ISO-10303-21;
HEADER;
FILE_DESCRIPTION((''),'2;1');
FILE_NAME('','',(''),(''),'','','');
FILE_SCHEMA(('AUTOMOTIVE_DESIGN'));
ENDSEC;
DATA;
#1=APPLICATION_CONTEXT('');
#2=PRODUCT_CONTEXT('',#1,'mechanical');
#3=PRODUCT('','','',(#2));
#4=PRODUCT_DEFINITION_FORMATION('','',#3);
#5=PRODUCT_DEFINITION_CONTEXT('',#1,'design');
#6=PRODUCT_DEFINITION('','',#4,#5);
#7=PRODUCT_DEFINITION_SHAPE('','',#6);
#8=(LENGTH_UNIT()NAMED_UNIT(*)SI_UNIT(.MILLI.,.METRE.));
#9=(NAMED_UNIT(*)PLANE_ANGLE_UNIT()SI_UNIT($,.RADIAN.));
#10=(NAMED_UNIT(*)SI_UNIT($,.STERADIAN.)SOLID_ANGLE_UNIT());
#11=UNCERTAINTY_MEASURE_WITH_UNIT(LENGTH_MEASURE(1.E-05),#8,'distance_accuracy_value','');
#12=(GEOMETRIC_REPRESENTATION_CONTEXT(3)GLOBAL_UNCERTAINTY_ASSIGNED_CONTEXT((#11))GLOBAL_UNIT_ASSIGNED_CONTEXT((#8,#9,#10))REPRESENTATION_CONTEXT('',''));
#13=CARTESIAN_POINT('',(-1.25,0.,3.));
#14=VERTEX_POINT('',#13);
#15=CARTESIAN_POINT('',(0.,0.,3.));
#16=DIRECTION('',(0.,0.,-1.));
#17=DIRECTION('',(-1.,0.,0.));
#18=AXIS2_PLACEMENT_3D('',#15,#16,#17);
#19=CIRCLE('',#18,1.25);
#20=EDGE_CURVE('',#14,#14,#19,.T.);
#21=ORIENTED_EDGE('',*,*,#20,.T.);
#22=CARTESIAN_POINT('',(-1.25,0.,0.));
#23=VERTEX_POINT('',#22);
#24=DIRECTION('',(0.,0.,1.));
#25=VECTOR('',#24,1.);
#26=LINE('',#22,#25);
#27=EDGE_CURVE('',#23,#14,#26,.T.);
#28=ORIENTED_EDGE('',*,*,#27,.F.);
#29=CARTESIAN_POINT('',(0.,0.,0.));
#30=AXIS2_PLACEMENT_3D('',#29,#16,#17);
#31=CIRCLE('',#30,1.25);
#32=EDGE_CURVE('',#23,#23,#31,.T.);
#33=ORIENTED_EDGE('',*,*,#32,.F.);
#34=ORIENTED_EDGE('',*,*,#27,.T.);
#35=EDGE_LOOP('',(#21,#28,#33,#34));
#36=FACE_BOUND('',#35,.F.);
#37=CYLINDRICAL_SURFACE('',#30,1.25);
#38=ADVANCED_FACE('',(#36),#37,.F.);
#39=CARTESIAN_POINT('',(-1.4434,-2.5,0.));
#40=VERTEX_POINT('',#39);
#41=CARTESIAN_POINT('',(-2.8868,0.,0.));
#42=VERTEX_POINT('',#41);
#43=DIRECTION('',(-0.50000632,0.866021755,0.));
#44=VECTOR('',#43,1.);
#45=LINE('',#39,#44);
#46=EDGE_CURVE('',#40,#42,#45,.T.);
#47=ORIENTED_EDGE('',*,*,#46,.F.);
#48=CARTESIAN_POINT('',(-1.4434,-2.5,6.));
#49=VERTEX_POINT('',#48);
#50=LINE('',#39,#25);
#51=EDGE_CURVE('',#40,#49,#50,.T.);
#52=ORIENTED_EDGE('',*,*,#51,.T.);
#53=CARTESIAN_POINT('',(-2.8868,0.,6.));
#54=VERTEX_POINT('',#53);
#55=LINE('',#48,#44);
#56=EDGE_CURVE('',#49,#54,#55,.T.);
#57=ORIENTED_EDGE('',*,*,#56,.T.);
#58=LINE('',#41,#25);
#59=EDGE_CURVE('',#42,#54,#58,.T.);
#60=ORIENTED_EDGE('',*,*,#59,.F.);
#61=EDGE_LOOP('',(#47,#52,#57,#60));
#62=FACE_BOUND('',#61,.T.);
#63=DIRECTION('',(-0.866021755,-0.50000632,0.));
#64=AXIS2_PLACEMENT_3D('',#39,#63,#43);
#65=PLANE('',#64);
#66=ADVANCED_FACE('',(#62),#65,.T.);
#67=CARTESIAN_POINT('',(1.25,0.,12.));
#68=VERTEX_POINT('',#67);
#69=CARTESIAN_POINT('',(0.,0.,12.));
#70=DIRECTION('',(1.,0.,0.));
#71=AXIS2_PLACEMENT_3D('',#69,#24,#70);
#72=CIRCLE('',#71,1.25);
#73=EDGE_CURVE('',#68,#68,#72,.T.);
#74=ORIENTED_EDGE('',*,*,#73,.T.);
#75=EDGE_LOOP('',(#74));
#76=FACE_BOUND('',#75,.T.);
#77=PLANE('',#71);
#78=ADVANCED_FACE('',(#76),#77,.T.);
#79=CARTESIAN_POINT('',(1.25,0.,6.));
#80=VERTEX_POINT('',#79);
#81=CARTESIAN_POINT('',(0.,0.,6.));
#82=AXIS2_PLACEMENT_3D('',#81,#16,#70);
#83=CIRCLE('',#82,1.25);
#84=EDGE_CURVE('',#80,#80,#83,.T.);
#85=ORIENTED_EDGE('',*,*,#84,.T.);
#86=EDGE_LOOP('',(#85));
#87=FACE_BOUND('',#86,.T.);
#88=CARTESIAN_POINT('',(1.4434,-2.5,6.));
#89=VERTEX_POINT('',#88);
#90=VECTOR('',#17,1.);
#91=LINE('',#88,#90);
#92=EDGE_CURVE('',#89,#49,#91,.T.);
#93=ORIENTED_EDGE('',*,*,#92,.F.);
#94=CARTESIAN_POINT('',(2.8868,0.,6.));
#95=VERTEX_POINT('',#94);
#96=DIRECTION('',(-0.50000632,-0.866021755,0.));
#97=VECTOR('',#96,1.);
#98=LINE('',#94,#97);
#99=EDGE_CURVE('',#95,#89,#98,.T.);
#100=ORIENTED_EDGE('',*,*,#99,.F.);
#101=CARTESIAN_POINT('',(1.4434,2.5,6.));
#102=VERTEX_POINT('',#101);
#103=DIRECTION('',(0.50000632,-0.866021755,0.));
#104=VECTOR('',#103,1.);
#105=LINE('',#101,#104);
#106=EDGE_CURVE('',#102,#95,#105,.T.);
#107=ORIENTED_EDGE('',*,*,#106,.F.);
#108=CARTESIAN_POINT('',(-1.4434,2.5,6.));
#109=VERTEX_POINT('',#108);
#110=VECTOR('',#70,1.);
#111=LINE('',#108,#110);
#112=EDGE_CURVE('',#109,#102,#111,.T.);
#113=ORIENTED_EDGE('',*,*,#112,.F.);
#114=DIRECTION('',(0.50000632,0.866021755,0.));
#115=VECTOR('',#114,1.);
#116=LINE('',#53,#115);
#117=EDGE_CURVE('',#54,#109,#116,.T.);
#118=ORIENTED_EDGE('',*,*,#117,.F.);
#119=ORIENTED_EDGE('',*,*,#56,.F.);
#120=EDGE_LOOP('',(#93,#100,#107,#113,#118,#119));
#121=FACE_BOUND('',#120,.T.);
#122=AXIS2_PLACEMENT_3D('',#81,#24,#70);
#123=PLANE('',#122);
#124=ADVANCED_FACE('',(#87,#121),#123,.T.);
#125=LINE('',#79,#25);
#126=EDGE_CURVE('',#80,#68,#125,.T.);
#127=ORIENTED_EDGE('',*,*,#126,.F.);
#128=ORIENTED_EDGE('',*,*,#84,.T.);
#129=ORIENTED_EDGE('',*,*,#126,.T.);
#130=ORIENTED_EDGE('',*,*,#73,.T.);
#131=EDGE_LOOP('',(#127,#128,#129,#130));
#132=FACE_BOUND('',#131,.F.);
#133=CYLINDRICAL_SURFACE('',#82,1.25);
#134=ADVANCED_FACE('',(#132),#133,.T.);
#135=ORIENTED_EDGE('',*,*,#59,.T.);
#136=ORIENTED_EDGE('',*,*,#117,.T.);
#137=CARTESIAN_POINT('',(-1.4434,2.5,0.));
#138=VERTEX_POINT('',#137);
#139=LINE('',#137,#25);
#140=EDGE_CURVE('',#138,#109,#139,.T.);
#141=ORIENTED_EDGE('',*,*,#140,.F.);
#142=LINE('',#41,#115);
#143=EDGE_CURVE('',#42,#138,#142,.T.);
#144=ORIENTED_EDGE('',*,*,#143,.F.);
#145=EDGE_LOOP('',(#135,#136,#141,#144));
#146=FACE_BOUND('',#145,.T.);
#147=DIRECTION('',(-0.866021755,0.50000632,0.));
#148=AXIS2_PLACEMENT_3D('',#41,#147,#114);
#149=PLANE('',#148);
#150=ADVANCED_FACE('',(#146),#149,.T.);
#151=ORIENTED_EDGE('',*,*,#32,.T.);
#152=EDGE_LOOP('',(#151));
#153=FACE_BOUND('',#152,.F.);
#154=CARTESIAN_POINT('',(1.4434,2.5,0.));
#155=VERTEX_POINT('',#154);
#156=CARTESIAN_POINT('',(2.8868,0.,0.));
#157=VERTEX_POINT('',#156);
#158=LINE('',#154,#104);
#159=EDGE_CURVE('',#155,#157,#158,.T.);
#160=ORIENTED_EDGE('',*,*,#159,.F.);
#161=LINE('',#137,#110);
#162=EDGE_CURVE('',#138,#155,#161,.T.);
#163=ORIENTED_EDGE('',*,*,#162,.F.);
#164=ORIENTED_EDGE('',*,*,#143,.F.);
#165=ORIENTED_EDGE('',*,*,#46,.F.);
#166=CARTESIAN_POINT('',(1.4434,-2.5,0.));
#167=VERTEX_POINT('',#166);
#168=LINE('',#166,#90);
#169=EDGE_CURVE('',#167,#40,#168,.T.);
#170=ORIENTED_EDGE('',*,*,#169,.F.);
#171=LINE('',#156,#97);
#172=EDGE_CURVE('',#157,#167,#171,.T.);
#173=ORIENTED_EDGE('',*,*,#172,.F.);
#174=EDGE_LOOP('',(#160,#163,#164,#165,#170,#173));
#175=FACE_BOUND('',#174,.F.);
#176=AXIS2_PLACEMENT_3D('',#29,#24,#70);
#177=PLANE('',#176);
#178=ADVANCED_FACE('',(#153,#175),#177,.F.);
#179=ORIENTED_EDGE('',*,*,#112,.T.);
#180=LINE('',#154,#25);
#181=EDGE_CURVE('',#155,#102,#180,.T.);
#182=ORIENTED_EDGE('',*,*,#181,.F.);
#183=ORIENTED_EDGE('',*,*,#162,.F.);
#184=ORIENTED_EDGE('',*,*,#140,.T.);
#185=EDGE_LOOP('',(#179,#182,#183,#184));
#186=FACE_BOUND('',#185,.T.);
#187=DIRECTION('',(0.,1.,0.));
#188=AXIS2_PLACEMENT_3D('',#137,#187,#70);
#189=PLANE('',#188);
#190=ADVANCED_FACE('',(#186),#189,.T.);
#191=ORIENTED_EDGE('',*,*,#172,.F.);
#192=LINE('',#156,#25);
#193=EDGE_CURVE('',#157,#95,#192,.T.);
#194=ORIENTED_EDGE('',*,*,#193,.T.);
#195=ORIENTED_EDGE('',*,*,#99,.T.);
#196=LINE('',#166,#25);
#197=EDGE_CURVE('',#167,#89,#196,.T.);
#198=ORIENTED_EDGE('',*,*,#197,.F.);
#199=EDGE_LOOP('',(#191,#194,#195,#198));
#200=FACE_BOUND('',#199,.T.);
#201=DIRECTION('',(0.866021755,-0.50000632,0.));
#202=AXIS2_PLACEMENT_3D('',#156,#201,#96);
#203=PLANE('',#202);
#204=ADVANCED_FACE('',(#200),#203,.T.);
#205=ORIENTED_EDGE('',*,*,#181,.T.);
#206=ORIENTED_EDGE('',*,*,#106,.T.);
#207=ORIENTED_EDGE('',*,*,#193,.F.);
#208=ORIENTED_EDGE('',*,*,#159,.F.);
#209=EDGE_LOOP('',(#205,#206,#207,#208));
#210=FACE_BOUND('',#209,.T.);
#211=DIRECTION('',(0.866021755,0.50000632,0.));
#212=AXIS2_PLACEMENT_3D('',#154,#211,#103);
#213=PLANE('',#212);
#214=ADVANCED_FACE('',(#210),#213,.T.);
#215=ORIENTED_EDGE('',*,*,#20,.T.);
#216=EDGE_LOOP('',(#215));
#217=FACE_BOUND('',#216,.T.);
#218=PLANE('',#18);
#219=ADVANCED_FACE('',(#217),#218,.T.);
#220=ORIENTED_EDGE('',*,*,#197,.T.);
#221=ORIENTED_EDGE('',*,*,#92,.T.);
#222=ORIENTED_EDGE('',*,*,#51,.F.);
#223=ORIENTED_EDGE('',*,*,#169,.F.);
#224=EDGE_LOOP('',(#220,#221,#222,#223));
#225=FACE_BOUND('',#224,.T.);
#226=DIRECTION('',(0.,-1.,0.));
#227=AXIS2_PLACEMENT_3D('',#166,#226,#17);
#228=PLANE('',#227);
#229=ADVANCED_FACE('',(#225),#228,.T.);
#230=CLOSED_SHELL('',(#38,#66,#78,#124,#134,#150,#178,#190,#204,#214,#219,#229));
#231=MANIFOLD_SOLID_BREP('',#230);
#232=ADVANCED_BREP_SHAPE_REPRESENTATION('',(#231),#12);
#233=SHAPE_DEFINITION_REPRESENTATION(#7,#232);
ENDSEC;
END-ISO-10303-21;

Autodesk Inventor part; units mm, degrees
ref_plane "YZ Plane" through (0, 0, 0) normal (1, 0, 0) x (0, 1, 0)
ref_plane "XZ Plane" through (0, 0, 0) normal (0, 1, 0) x (-1, 0, 0)
ref_plane "XY Plane" through (0, 0, 0) normal (0, 0, 1) x (1, 0, 0)
sketch "Sketch1" plane through (0, 0, 0) normal (0, 0, 1) x (1, 0, 0)
  line L0 (2.8868, 0) -> (1.4434, -2.5)
  line L1 (1.4434, -2.5) -> (-1.4434, -2.5)
  line L2 (-1.4434, -2.5) -> (-2.8868, 0)
  line L3 (-2.8868, 0) -> (-1.4434, 2.5)
  line L4 (-1.4434, 2.5) -> (1.4434, 2.5)
  line L5 (1.4434, 2.5) -> (2.8868, 0)
  point P0 (0, 0)
  point P1 (0, 0)
  dimension "d0" = 5
extrude "Extrusion1" add sketch "Sketch1" along normal blind 6
sketch "Sketch3" plane through (0, 0, 0) normal (0, 0, -1) x (-1, 0, 0)
  circle A0 centre (0, 0) radius 1.25
  dimension "d6" = 2.5
extrude "Extrusion3" cut sketch "Sketch3" against normal through all
sketch "Sketch4" plane through (0, 0, 6) normal (0, 0, 1) x (1, 0, 0)
  circle A0 centre (0, 0) radius 1.25
  dimension "d9" = 2.5
extrude "Extrusion4" add sketch "Sketch4" along normal blind 6
sketch "Sketch5" plane through (0, 0, 6) normal (0, 0, -1) x (-1, 0, 0)
  circle A0 centre (0, 0) radius 1.25 projected
extrude "Extrusion5" add sketch "Sketch5" along normal blind 3
properties part number "M2.5x6mm_Standoff_ 971060151"
